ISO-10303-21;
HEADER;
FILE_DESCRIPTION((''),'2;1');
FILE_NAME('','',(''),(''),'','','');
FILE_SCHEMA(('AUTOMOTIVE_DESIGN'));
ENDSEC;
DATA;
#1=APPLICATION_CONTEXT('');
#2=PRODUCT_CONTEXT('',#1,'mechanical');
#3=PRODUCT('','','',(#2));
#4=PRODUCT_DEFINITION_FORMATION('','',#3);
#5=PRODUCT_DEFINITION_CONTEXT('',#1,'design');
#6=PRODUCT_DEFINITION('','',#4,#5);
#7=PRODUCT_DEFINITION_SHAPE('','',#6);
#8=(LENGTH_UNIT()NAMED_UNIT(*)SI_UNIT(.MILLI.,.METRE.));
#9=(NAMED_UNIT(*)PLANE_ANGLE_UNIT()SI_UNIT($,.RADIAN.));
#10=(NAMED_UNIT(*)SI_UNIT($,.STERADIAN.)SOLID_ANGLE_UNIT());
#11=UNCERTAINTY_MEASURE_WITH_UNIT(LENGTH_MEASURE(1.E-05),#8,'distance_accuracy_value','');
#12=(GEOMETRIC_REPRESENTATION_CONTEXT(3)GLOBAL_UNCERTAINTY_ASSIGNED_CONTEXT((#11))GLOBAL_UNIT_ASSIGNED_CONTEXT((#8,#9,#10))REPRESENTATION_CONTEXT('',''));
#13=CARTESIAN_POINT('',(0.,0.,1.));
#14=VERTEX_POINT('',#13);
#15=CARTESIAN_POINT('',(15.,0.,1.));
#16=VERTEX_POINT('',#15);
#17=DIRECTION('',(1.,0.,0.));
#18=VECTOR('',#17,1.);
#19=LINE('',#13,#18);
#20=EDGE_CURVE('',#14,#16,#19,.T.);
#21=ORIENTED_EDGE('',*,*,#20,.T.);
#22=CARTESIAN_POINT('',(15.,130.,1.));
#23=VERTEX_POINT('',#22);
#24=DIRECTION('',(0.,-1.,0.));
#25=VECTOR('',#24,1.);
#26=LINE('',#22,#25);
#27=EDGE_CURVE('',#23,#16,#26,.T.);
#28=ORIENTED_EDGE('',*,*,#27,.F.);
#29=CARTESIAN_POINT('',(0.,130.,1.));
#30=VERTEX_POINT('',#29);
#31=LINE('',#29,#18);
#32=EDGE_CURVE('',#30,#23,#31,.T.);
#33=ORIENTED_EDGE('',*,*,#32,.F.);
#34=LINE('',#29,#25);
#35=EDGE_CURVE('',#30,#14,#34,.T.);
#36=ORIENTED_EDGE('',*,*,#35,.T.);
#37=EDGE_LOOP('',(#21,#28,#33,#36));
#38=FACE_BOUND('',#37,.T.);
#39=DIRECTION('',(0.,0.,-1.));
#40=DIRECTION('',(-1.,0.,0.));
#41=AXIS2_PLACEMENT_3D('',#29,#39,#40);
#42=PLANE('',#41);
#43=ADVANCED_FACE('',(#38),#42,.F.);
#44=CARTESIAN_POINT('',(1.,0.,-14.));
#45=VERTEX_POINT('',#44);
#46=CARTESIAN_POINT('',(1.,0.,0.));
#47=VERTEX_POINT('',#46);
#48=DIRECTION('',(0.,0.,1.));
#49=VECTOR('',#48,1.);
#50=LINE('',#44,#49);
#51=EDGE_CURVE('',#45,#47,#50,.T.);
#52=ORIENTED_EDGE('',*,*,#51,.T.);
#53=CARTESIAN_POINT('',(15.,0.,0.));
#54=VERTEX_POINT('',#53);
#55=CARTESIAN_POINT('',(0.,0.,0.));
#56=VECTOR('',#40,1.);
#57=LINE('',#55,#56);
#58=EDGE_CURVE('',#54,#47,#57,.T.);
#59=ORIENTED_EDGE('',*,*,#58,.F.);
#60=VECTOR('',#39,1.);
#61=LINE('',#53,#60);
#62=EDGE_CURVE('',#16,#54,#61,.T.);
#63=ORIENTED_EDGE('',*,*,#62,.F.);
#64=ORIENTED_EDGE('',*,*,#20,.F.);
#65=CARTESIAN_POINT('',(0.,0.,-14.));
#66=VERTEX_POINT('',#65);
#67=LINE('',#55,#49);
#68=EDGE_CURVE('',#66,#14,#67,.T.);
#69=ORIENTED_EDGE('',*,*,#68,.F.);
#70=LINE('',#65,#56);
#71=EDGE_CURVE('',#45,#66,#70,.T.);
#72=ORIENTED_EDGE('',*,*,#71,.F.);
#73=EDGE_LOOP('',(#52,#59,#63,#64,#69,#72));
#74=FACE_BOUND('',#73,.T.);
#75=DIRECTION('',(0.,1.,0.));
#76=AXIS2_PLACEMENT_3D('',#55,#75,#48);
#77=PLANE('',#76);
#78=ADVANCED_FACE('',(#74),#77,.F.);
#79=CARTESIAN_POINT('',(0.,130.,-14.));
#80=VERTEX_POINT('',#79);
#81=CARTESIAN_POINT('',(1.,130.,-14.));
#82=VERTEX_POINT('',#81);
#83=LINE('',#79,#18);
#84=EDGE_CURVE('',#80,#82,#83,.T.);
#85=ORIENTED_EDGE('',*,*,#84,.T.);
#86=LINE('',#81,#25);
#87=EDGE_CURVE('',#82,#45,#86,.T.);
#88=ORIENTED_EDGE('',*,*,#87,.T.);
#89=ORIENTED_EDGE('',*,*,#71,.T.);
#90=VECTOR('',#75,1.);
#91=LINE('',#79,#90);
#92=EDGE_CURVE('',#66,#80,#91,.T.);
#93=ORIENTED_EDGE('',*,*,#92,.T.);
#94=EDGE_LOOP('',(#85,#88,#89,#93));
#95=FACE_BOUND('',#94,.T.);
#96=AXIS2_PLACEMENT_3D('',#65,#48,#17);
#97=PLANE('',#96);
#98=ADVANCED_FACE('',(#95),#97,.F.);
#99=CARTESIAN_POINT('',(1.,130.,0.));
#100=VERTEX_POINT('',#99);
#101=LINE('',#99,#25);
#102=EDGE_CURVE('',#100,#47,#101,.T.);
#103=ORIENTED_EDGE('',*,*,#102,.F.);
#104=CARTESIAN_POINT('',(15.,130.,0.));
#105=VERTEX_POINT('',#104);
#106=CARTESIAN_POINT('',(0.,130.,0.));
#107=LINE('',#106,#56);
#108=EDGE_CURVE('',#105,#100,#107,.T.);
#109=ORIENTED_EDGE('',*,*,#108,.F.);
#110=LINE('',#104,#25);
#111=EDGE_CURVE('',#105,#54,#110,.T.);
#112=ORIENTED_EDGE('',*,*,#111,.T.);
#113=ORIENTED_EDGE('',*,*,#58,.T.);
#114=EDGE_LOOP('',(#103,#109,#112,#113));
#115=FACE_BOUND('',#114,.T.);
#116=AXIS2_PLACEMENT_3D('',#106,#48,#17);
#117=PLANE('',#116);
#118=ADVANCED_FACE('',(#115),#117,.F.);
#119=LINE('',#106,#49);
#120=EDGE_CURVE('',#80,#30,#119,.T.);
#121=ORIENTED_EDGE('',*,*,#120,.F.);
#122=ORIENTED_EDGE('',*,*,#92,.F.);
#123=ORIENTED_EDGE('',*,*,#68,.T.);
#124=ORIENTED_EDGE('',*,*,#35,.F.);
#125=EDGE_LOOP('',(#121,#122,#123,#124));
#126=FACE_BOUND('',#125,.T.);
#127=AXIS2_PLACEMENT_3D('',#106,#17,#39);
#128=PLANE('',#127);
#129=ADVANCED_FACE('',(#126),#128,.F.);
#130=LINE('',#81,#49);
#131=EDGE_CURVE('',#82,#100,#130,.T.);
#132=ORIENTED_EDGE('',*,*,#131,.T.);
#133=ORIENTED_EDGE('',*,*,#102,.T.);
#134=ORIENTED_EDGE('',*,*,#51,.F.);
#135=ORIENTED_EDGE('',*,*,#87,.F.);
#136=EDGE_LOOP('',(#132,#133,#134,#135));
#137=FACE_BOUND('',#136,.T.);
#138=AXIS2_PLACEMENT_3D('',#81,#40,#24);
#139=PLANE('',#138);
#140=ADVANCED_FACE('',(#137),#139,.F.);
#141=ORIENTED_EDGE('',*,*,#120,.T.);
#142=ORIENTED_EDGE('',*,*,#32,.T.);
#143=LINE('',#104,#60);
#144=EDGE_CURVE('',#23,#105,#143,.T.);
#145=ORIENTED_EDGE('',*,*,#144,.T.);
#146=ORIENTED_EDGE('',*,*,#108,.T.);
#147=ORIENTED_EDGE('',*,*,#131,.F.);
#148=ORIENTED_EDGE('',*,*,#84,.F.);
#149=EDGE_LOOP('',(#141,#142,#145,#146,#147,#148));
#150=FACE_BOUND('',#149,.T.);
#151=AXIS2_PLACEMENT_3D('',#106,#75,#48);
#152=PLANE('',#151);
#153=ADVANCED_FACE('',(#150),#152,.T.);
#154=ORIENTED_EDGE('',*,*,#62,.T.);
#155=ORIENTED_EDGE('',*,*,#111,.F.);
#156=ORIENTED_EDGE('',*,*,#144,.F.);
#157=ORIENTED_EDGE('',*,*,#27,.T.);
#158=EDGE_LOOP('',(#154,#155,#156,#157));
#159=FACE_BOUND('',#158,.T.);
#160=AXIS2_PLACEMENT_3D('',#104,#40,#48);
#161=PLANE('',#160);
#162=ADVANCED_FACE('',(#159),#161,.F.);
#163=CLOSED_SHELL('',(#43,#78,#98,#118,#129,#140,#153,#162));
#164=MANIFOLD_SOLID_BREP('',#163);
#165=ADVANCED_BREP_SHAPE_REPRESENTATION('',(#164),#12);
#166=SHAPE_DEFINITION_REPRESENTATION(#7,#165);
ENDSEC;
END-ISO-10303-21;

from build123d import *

# Parameters (mm, degrees)
SKETCH_1_W      = 15
SKETCH_1_H      = 1
EXTRUDE_1_DEPTH = 130
SKETCH_3_W      = 1
SKETCH_3_H      = 130
EXTRUDE_2_DEPTH = 14


with BuildPart() as part:
    # ｽｹｯﾁ1 → ﾎﾞｽ - 押し出し1 (new body)
    with BuildSketch(Plane(origin=(0, 0, 0), x_dir=(1, 0, 0), z_dir=(0, 1, 0))):
        with Locations((7.5, -0.5)):
            Rectangle(SKETCH_1_W, SKETCH_1_H)
    extrude(amount=EXTRUDE_1_DEPTH)

    # ｽｹｯﾁ3 → ﾎﾞｽ - 押し出し2 (add)
    with BuildSketch(Plane(origin=(0, 0, 0), x_dir=(-1, 0, 0), z_dir=(0, 0, -1))):
        with Locations((-0.5, 65)):
            Rectangle(SKETCH_3_W, SKETCH_3_H)
    extrude(amount=EXTRUDE_2_DEPTH)


solid = part.part
